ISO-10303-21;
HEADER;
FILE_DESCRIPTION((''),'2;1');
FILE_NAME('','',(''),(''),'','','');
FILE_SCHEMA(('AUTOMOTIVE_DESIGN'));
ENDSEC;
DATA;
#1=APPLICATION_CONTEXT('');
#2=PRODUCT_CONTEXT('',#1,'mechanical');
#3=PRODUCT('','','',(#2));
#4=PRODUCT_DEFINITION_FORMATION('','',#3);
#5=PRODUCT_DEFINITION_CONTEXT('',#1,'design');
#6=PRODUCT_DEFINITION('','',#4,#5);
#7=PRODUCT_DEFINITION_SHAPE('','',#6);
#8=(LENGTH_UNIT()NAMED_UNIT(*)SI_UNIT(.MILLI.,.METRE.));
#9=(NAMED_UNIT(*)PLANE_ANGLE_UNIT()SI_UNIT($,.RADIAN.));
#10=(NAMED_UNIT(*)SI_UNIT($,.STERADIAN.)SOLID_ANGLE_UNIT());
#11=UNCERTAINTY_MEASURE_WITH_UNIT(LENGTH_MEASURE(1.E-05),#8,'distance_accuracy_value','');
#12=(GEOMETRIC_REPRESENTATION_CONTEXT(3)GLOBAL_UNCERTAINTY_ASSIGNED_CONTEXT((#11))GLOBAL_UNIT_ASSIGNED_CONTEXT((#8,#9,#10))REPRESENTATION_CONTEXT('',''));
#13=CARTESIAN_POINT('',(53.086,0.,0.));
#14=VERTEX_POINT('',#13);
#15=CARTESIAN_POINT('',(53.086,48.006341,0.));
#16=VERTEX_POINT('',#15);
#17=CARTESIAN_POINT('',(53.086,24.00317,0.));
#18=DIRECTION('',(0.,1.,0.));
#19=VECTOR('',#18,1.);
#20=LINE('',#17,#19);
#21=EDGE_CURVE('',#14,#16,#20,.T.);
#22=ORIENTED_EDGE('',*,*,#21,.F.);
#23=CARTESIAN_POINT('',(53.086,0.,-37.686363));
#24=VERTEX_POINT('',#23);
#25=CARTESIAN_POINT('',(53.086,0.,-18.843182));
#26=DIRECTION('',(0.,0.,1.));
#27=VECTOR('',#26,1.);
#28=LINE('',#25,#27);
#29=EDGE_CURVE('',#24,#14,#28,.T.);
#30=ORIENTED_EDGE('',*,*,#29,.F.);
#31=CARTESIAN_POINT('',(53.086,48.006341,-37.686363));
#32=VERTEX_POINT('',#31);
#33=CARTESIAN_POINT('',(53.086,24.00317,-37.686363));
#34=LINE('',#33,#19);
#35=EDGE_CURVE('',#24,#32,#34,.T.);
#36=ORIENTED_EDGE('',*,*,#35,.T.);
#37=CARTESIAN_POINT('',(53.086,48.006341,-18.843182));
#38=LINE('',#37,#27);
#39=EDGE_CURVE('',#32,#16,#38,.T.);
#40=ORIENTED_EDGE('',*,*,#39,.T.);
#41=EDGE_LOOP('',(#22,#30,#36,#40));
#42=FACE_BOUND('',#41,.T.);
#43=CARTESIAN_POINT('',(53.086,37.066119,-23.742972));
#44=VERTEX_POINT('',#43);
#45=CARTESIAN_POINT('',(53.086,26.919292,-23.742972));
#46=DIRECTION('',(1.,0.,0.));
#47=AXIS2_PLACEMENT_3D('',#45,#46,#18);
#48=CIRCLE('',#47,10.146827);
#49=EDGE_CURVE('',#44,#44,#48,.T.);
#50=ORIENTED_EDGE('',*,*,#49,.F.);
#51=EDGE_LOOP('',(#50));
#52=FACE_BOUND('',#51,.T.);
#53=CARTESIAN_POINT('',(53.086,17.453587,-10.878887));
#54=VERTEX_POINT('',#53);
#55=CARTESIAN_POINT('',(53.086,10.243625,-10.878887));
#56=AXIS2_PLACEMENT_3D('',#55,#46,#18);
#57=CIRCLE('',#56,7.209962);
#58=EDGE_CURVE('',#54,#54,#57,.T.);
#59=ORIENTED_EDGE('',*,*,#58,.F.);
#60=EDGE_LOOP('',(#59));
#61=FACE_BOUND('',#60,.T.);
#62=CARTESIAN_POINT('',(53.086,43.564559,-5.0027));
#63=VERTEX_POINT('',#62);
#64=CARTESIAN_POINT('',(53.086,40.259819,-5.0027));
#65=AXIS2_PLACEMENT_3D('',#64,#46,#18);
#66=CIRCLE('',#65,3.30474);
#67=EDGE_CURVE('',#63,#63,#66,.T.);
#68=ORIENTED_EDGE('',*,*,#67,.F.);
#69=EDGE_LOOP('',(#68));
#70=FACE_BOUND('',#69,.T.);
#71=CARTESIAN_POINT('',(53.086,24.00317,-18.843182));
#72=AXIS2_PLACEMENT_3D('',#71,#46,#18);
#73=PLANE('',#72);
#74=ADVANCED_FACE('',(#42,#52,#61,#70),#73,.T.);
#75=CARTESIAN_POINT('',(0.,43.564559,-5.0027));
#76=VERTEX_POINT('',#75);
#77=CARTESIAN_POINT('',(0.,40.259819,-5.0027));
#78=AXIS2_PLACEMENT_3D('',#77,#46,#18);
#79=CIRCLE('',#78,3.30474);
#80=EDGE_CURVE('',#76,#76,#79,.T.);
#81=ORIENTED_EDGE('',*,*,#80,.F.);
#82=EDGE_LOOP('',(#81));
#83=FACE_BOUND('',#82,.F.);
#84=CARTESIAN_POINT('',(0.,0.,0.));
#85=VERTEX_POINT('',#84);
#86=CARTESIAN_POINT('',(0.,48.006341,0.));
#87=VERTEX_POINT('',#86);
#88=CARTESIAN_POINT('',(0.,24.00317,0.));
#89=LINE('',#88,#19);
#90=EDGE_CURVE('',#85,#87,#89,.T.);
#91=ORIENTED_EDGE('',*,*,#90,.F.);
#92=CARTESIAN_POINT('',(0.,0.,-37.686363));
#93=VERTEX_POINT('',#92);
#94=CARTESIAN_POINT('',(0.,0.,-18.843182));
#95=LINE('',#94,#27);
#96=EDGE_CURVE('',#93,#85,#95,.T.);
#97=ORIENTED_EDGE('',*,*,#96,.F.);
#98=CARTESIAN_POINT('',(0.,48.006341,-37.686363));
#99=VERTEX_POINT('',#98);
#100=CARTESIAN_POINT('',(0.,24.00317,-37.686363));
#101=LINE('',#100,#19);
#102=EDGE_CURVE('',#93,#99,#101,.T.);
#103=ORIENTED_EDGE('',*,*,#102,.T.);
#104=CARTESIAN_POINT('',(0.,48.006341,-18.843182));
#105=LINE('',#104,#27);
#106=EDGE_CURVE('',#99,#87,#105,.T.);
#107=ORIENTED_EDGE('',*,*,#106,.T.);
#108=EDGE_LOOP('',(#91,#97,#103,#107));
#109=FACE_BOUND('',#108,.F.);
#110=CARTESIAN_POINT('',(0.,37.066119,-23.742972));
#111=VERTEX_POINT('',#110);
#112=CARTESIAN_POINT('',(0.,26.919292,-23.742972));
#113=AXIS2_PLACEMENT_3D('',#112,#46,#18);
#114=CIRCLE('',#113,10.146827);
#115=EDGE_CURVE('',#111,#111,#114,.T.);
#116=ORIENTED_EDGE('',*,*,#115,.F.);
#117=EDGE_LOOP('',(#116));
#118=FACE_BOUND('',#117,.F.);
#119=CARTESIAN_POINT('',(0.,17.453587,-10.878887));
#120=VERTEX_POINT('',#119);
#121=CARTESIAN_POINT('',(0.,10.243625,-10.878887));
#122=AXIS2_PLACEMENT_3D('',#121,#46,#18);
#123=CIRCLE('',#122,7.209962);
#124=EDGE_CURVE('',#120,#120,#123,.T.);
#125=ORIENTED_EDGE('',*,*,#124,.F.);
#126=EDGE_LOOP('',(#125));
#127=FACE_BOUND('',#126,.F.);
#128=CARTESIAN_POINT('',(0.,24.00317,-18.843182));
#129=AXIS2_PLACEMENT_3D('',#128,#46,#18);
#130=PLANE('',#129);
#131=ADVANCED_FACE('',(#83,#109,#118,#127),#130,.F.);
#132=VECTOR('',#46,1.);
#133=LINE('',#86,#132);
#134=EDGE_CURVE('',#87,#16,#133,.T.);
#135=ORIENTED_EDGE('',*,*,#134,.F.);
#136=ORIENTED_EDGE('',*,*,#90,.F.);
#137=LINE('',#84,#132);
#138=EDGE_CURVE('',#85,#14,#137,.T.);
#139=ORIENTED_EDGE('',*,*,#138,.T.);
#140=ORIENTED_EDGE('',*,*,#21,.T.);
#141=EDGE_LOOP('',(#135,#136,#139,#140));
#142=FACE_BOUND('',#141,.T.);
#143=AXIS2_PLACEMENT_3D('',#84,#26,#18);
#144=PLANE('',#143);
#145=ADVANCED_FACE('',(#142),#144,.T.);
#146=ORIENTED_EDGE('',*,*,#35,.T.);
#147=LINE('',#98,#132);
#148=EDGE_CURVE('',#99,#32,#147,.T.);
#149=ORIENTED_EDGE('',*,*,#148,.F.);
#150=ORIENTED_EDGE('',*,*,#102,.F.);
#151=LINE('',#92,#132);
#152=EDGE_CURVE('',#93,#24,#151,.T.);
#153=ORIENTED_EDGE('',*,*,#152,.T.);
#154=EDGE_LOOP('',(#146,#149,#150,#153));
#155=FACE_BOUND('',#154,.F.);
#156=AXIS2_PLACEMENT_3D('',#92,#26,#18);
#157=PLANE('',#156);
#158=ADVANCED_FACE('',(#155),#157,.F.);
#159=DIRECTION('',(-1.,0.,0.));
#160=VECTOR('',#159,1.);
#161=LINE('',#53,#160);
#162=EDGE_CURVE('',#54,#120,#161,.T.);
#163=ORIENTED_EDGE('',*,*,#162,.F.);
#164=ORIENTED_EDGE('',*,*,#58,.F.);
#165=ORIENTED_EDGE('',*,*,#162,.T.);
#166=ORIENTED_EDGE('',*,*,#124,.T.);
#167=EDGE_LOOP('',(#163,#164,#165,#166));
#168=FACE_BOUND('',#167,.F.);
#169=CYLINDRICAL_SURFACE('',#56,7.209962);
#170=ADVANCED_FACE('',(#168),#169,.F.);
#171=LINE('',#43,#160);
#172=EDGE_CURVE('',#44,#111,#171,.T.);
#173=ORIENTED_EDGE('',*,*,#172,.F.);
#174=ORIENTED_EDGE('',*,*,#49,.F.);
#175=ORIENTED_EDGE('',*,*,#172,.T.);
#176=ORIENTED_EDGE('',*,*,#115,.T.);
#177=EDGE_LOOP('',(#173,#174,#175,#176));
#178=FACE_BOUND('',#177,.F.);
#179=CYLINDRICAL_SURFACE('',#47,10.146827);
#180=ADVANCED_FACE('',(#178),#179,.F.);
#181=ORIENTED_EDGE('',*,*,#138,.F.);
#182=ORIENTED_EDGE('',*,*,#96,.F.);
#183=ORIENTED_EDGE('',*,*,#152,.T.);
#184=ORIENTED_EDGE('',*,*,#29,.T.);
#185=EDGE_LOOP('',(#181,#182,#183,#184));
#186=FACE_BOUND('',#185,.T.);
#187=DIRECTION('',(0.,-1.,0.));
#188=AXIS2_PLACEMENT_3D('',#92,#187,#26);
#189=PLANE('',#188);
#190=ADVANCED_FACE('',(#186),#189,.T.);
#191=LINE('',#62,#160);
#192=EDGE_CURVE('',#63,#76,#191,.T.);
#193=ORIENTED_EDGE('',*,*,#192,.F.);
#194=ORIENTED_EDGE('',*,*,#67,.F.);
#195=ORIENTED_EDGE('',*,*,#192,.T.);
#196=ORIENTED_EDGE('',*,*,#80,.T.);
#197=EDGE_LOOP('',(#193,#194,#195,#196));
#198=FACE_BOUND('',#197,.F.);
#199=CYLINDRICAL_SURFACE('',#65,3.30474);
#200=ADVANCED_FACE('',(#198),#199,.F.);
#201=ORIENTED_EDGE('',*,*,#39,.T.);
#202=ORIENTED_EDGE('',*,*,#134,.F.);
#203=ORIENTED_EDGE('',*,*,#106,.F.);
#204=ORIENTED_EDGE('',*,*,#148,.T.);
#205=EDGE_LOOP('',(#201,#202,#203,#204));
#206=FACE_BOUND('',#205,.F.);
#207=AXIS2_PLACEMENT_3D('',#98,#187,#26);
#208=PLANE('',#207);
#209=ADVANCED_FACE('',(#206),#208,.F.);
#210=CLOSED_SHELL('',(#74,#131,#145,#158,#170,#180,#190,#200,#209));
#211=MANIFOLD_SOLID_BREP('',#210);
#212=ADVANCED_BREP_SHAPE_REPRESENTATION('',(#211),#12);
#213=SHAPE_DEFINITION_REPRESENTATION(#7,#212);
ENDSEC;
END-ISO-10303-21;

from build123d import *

# Parameters (mm, degrees)
F0_W     = 48.006341
F0_H     = 37.686363
F1_DEPTH = 53.086
F2_R     = 7.209962
F2_R_2   = 10.146827
F2_R_3   = 3.30474
F3_DEPTH = 53.087


with BuildPart() as f1:
    # F0 (on Right) → F1 (new body)
    with BuildSketch(Plane.YZ):
        with Locations((24.00317, -18.843182)):
            Rectangle(F0_W, F0_H)
    extrude(amount=F1_DEPTH)

    # F2 (on face) → F3 (cut, through all)
    with BuildSketch(Plane.YZ.offset(53.086)):
        with Locations((10.243625, -10.878887)):
            Circle(F2_R)
        with Locations((26.919292, -23.742972)):
            Circle(F2_R_2)
        with Locations((40.259819, -5.0027)):
            Circle(F2_R_3)
    extrude(amount=-F3_DEPTH, mode=Mode.SUBTRACT)


solid = f1.part
